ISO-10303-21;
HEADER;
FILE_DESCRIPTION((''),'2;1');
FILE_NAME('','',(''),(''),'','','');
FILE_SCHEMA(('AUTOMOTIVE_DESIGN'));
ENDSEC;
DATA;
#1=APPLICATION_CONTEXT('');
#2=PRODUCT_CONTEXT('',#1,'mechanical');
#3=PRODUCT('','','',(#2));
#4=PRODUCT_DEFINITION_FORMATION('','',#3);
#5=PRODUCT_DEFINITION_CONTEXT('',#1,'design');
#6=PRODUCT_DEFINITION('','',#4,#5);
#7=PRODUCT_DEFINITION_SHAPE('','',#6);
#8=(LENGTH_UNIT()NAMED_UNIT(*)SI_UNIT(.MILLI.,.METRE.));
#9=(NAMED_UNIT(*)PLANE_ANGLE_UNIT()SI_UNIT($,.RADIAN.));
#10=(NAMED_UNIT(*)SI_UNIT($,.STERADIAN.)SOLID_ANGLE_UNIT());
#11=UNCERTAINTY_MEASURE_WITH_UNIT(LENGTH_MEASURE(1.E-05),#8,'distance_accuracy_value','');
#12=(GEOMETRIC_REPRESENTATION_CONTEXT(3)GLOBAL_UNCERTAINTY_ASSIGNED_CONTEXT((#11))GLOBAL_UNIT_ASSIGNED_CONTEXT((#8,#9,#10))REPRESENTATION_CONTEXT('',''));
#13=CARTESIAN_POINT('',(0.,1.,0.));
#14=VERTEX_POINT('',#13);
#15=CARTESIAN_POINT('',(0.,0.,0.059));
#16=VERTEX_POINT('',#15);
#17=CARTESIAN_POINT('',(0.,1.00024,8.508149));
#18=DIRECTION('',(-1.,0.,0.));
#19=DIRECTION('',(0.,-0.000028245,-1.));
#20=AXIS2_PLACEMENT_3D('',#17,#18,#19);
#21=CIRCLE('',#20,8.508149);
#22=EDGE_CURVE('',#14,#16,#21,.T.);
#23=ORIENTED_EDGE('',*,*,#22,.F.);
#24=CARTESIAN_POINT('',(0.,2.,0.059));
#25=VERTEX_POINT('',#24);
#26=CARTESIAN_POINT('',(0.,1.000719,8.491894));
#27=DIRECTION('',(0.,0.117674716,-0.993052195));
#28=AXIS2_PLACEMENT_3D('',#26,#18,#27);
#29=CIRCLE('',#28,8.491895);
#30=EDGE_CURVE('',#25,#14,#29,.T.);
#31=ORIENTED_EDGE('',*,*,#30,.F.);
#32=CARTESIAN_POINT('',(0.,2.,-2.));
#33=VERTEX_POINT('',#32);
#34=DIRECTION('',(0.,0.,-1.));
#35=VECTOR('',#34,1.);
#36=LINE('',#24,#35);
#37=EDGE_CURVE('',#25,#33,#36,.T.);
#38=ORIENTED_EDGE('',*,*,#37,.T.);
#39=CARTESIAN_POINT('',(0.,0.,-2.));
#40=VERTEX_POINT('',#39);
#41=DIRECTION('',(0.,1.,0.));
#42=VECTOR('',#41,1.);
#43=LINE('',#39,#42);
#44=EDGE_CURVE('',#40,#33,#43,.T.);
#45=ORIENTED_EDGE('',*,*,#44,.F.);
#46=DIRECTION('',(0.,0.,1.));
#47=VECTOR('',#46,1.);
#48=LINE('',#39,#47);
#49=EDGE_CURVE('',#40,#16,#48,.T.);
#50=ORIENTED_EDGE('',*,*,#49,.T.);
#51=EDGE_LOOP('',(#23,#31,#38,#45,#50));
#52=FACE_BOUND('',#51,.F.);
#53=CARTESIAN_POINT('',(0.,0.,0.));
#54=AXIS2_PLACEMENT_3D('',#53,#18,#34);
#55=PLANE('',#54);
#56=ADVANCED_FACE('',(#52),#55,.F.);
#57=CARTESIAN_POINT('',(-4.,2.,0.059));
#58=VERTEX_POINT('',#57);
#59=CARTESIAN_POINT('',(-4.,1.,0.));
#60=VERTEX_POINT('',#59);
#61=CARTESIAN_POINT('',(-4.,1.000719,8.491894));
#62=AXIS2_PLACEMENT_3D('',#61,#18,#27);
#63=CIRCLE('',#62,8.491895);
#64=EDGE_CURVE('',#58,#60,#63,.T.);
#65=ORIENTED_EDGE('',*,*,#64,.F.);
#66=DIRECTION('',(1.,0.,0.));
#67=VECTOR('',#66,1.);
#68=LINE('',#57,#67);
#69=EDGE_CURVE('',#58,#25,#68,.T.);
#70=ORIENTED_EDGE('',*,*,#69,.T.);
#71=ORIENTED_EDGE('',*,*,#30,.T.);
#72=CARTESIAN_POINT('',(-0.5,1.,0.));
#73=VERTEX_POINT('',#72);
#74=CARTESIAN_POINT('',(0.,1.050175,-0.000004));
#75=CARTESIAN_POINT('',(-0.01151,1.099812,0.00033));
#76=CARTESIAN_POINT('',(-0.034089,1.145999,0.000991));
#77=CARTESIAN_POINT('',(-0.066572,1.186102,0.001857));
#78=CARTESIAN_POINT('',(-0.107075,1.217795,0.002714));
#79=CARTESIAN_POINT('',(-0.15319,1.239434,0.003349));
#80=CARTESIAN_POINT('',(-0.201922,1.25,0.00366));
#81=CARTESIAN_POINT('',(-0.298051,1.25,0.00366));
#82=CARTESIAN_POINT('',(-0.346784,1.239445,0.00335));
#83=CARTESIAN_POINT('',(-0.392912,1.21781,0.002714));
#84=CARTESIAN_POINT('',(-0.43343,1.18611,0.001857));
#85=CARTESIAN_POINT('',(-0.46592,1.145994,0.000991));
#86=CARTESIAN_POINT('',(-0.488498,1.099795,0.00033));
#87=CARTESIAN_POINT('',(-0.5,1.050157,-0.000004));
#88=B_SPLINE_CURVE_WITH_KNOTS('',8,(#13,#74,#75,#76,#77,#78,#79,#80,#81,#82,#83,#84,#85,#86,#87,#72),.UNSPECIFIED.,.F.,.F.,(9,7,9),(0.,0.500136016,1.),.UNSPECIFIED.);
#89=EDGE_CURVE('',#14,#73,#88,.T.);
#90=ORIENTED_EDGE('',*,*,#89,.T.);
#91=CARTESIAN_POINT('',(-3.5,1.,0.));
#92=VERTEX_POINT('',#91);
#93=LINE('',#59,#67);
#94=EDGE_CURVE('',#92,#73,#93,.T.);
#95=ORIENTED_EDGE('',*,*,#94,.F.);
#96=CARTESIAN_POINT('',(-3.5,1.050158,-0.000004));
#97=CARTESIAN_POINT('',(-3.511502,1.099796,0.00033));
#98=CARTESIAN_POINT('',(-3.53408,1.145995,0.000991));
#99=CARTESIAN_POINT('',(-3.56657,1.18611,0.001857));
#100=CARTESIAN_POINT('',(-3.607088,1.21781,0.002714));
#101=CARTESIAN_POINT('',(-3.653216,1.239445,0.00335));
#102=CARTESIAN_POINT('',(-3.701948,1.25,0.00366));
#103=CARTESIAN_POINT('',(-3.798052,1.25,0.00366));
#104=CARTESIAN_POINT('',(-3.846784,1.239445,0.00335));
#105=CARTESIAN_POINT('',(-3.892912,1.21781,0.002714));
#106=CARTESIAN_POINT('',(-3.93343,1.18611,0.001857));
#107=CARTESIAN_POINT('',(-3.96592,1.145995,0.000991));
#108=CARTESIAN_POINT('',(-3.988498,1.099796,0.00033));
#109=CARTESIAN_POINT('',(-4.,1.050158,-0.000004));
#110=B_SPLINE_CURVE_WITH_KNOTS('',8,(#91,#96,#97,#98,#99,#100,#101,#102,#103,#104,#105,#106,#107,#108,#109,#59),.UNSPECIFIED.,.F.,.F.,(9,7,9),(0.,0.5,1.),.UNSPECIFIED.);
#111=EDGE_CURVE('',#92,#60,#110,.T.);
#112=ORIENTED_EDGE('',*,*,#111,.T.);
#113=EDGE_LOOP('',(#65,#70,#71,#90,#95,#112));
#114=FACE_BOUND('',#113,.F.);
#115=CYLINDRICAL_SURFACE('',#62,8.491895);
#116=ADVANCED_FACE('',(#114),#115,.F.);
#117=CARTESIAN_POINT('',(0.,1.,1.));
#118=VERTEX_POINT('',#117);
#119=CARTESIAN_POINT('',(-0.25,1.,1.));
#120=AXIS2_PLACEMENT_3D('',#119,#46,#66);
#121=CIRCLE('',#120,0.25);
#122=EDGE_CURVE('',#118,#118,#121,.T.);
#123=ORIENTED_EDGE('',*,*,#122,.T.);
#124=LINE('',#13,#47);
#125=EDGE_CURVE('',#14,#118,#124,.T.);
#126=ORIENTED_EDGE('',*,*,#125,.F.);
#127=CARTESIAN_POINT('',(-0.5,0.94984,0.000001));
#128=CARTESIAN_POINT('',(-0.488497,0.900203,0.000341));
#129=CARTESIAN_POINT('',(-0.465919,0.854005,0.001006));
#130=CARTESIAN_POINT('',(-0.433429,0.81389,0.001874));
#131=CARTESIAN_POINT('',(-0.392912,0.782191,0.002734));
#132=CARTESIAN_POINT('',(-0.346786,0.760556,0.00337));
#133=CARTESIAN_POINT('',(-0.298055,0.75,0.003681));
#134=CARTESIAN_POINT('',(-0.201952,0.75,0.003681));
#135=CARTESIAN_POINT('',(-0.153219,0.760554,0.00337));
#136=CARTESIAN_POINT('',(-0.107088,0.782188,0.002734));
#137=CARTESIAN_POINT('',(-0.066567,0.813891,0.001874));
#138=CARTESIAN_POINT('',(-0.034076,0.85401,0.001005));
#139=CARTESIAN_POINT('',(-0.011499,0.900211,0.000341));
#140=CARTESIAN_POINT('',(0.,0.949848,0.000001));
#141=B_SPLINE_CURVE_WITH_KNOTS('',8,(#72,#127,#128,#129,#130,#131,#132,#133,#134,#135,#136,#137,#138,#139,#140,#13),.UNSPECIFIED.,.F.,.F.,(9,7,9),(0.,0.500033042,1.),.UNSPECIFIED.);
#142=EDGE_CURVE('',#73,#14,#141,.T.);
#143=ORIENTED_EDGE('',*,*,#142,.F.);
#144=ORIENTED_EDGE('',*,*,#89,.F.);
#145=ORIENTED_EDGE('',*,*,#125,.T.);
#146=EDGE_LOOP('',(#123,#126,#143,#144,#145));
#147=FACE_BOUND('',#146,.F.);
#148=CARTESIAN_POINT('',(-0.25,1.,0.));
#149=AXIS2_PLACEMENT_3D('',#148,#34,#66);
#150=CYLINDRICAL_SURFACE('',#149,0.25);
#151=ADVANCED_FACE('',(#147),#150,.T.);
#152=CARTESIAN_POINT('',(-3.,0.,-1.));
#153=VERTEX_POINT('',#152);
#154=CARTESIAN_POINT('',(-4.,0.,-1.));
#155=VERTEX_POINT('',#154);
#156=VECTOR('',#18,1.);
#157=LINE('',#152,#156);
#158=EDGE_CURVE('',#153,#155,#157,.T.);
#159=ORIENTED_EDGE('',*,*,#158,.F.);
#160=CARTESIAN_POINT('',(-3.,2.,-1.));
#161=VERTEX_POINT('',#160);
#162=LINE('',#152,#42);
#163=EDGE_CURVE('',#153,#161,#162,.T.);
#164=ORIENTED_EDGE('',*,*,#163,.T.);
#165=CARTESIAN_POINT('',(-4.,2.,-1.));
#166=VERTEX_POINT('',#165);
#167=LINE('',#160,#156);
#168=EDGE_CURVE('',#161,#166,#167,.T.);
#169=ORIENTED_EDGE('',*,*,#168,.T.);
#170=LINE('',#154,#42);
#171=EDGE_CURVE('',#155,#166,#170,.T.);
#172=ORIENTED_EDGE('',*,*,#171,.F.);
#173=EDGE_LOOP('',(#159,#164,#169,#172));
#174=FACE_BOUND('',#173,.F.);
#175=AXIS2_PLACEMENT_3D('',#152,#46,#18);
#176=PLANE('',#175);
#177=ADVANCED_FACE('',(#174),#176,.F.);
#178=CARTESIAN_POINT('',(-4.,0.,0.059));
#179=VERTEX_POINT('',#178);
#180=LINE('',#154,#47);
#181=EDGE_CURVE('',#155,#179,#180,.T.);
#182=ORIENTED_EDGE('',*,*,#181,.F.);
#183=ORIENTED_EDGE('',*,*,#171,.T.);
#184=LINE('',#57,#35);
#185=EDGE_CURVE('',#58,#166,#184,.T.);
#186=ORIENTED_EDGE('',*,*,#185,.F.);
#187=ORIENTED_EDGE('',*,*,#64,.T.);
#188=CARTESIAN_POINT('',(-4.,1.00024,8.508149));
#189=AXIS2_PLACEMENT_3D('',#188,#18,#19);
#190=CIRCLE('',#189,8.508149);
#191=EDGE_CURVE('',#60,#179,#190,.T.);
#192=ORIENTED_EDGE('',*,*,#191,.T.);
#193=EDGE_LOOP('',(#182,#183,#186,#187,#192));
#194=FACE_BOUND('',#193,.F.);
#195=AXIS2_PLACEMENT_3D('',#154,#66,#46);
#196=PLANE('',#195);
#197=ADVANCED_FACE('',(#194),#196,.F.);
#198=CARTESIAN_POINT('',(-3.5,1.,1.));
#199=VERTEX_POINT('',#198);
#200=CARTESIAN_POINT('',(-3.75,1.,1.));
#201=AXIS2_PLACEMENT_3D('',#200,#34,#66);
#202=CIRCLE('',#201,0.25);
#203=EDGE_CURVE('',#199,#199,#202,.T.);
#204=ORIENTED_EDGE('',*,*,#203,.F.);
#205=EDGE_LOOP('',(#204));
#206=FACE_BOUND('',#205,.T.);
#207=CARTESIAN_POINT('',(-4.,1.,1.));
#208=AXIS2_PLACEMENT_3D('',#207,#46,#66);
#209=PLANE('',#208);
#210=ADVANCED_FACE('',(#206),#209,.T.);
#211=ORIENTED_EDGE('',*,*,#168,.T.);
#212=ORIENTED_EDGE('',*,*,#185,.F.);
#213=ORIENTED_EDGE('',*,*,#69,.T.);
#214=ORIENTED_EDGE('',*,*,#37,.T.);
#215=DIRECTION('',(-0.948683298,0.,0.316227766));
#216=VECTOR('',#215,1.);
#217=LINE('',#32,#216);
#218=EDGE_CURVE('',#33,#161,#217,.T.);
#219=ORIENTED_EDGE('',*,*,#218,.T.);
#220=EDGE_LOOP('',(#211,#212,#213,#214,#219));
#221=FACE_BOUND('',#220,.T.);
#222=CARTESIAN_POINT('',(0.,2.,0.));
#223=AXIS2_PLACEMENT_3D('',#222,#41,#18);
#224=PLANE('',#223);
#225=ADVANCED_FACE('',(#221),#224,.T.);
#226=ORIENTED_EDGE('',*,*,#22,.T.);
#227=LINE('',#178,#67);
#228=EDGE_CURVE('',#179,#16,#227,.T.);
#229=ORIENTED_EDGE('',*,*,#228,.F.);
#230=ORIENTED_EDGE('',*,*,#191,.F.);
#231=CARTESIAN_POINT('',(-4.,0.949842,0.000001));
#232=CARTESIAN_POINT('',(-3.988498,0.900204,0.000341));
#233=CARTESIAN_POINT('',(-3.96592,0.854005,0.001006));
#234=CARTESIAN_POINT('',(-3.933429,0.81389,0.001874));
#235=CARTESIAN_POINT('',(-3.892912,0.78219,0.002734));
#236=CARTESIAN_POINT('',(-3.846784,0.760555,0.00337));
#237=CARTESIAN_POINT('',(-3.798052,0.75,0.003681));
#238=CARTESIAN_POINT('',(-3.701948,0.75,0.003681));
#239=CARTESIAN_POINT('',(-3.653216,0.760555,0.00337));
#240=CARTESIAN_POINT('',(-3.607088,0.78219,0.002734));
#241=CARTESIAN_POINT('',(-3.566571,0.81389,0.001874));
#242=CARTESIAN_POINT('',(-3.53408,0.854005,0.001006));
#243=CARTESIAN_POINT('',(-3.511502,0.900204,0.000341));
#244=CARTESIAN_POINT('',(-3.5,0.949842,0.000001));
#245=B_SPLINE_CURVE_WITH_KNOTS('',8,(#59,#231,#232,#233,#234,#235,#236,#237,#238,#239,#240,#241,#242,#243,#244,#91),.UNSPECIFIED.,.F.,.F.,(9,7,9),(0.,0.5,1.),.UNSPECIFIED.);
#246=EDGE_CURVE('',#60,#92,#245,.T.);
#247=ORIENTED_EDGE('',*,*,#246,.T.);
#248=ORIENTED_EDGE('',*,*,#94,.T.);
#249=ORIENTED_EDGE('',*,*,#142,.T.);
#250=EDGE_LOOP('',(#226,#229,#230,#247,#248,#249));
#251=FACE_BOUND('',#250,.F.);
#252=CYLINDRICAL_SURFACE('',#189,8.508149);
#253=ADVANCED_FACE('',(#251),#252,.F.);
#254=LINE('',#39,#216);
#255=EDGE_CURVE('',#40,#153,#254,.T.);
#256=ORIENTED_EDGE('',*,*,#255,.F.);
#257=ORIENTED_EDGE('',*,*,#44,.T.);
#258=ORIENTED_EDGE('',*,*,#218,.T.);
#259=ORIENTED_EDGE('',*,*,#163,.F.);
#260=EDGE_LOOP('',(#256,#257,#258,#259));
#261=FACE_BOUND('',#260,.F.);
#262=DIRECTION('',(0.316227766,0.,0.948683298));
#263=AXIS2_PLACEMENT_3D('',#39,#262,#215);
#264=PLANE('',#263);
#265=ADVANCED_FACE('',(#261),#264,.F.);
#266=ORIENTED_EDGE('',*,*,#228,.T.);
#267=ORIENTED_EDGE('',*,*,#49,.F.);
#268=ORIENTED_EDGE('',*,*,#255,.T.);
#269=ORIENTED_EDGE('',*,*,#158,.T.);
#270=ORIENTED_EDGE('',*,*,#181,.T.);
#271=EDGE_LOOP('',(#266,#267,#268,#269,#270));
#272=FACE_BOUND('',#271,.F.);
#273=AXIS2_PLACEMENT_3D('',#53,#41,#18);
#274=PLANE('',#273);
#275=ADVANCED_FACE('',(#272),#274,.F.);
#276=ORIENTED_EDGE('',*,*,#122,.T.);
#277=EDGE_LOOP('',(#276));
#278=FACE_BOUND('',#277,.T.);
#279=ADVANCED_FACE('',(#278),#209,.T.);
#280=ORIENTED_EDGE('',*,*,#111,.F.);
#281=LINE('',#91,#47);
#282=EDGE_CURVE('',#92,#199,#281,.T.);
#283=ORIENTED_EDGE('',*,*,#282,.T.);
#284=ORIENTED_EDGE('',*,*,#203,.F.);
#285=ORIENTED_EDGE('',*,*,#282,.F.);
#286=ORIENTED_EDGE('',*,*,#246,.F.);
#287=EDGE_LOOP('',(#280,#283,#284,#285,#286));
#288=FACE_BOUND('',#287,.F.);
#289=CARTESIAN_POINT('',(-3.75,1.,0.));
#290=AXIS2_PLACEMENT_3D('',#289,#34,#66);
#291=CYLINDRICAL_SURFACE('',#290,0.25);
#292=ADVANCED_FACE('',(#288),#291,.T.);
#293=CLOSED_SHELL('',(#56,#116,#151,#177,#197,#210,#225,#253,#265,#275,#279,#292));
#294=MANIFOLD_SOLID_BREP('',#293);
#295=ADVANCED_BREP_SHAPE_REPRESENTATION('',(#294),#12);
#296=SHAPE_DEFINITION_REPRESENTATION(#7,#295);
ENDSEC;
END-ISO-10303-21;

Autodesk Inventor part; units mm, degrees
ref_plane "YZ Plane" through (0, 0, 0) normal (1, 0, 0) x (0, 1, 0)
ref_plane "XZ Plane" through (0, 0, 0) normal (0, 1, 0) x (-1, 0, 0)
sketch "Sketch1" plane through (0, 0, 0) normal (0, 1, 0) x (-1, 0, 0)
  line L0 (0, 0) -> (0, -2)
  line L1 (0, -2) -> (3, -1)
  line L2 (3, -1) -> (4, -1)
  line L3 (4, -1) -> (4, 0)
  line L4 (4, 0) -> (0, 0)
  dimension "d0" = 1
  dimension "d1" = 2
  dimension "d2" = 1
  dimension "d3" = 4
extrude "Extrusion1" add sketch "Sketch1" along normal blind 2
sketch "Sketch2" plane through (-4, 0, -1) normal (-1, 0, 0) x (0, 0, 1)
  line L0 (0, 0) -> (1, 0) projected
  line L1 (1, 0) -> (1, 1)
  line L2 (1, 0) -> (1, 2) projected
  line L3 (1, 1) -> (9.5, 1)
  line L4 (1, 1) -> (9.5, 1) construction
  arc A0 (1, 1) -> (1.059, 0) centre (9.5, 1) ccw
  arc A1 (1.059, 2) -> (1, 1) centre (9.5, 1) ccw
  line L5 (1.059, 0) -> (1, 0)
  line L6 (0, 2) -> (1, 2) projected
  line L7 (1.059, 2) -> (1, 2)
  line L8 (1, 0) -> (1, 2)
  dimension "d6" = 1
  dimension "d7" = 8.5
  dimension "d8" = 0
extrude "Extrusion2" add sketch "Sketch2" against normal up to surface (4 mm away)
ref_plane "Work Plane1" through (-4, 1, 0) normal (0, 0, 1) x (1, 0, 0)
sketch "Sketch3" plane through (-4, 1, 0) normal (0, 0, 1) x (1, 0, 0)
  circle A0 centre (3.75, 0) radius 0.25
  line L0 (4, -1) -> (4, 1) projected
  dimension "d11" = 0.5
extrude "Extrusion3" add sketch "Sketch3" along normal blind 1
sketch "Sketch4" plane through (-4, 1, 0) normal (0, 0, 1) x (1, 0, 0)
  circle A0 centre (0.25, 0) radius 0.25
  line L0 (0, -1) -> (0, 1) projected
  circle A1 centre (3.75, 0) radius 0.25 projected
  point P0 (4, -1)
  point P1 (3.75, 0.25)
  dimension "d14" = 0.5
extrude "Extrusion4" add sketch "Sketch4" along normal up to surface (1 mm away) contours A0
properties part number "last"
